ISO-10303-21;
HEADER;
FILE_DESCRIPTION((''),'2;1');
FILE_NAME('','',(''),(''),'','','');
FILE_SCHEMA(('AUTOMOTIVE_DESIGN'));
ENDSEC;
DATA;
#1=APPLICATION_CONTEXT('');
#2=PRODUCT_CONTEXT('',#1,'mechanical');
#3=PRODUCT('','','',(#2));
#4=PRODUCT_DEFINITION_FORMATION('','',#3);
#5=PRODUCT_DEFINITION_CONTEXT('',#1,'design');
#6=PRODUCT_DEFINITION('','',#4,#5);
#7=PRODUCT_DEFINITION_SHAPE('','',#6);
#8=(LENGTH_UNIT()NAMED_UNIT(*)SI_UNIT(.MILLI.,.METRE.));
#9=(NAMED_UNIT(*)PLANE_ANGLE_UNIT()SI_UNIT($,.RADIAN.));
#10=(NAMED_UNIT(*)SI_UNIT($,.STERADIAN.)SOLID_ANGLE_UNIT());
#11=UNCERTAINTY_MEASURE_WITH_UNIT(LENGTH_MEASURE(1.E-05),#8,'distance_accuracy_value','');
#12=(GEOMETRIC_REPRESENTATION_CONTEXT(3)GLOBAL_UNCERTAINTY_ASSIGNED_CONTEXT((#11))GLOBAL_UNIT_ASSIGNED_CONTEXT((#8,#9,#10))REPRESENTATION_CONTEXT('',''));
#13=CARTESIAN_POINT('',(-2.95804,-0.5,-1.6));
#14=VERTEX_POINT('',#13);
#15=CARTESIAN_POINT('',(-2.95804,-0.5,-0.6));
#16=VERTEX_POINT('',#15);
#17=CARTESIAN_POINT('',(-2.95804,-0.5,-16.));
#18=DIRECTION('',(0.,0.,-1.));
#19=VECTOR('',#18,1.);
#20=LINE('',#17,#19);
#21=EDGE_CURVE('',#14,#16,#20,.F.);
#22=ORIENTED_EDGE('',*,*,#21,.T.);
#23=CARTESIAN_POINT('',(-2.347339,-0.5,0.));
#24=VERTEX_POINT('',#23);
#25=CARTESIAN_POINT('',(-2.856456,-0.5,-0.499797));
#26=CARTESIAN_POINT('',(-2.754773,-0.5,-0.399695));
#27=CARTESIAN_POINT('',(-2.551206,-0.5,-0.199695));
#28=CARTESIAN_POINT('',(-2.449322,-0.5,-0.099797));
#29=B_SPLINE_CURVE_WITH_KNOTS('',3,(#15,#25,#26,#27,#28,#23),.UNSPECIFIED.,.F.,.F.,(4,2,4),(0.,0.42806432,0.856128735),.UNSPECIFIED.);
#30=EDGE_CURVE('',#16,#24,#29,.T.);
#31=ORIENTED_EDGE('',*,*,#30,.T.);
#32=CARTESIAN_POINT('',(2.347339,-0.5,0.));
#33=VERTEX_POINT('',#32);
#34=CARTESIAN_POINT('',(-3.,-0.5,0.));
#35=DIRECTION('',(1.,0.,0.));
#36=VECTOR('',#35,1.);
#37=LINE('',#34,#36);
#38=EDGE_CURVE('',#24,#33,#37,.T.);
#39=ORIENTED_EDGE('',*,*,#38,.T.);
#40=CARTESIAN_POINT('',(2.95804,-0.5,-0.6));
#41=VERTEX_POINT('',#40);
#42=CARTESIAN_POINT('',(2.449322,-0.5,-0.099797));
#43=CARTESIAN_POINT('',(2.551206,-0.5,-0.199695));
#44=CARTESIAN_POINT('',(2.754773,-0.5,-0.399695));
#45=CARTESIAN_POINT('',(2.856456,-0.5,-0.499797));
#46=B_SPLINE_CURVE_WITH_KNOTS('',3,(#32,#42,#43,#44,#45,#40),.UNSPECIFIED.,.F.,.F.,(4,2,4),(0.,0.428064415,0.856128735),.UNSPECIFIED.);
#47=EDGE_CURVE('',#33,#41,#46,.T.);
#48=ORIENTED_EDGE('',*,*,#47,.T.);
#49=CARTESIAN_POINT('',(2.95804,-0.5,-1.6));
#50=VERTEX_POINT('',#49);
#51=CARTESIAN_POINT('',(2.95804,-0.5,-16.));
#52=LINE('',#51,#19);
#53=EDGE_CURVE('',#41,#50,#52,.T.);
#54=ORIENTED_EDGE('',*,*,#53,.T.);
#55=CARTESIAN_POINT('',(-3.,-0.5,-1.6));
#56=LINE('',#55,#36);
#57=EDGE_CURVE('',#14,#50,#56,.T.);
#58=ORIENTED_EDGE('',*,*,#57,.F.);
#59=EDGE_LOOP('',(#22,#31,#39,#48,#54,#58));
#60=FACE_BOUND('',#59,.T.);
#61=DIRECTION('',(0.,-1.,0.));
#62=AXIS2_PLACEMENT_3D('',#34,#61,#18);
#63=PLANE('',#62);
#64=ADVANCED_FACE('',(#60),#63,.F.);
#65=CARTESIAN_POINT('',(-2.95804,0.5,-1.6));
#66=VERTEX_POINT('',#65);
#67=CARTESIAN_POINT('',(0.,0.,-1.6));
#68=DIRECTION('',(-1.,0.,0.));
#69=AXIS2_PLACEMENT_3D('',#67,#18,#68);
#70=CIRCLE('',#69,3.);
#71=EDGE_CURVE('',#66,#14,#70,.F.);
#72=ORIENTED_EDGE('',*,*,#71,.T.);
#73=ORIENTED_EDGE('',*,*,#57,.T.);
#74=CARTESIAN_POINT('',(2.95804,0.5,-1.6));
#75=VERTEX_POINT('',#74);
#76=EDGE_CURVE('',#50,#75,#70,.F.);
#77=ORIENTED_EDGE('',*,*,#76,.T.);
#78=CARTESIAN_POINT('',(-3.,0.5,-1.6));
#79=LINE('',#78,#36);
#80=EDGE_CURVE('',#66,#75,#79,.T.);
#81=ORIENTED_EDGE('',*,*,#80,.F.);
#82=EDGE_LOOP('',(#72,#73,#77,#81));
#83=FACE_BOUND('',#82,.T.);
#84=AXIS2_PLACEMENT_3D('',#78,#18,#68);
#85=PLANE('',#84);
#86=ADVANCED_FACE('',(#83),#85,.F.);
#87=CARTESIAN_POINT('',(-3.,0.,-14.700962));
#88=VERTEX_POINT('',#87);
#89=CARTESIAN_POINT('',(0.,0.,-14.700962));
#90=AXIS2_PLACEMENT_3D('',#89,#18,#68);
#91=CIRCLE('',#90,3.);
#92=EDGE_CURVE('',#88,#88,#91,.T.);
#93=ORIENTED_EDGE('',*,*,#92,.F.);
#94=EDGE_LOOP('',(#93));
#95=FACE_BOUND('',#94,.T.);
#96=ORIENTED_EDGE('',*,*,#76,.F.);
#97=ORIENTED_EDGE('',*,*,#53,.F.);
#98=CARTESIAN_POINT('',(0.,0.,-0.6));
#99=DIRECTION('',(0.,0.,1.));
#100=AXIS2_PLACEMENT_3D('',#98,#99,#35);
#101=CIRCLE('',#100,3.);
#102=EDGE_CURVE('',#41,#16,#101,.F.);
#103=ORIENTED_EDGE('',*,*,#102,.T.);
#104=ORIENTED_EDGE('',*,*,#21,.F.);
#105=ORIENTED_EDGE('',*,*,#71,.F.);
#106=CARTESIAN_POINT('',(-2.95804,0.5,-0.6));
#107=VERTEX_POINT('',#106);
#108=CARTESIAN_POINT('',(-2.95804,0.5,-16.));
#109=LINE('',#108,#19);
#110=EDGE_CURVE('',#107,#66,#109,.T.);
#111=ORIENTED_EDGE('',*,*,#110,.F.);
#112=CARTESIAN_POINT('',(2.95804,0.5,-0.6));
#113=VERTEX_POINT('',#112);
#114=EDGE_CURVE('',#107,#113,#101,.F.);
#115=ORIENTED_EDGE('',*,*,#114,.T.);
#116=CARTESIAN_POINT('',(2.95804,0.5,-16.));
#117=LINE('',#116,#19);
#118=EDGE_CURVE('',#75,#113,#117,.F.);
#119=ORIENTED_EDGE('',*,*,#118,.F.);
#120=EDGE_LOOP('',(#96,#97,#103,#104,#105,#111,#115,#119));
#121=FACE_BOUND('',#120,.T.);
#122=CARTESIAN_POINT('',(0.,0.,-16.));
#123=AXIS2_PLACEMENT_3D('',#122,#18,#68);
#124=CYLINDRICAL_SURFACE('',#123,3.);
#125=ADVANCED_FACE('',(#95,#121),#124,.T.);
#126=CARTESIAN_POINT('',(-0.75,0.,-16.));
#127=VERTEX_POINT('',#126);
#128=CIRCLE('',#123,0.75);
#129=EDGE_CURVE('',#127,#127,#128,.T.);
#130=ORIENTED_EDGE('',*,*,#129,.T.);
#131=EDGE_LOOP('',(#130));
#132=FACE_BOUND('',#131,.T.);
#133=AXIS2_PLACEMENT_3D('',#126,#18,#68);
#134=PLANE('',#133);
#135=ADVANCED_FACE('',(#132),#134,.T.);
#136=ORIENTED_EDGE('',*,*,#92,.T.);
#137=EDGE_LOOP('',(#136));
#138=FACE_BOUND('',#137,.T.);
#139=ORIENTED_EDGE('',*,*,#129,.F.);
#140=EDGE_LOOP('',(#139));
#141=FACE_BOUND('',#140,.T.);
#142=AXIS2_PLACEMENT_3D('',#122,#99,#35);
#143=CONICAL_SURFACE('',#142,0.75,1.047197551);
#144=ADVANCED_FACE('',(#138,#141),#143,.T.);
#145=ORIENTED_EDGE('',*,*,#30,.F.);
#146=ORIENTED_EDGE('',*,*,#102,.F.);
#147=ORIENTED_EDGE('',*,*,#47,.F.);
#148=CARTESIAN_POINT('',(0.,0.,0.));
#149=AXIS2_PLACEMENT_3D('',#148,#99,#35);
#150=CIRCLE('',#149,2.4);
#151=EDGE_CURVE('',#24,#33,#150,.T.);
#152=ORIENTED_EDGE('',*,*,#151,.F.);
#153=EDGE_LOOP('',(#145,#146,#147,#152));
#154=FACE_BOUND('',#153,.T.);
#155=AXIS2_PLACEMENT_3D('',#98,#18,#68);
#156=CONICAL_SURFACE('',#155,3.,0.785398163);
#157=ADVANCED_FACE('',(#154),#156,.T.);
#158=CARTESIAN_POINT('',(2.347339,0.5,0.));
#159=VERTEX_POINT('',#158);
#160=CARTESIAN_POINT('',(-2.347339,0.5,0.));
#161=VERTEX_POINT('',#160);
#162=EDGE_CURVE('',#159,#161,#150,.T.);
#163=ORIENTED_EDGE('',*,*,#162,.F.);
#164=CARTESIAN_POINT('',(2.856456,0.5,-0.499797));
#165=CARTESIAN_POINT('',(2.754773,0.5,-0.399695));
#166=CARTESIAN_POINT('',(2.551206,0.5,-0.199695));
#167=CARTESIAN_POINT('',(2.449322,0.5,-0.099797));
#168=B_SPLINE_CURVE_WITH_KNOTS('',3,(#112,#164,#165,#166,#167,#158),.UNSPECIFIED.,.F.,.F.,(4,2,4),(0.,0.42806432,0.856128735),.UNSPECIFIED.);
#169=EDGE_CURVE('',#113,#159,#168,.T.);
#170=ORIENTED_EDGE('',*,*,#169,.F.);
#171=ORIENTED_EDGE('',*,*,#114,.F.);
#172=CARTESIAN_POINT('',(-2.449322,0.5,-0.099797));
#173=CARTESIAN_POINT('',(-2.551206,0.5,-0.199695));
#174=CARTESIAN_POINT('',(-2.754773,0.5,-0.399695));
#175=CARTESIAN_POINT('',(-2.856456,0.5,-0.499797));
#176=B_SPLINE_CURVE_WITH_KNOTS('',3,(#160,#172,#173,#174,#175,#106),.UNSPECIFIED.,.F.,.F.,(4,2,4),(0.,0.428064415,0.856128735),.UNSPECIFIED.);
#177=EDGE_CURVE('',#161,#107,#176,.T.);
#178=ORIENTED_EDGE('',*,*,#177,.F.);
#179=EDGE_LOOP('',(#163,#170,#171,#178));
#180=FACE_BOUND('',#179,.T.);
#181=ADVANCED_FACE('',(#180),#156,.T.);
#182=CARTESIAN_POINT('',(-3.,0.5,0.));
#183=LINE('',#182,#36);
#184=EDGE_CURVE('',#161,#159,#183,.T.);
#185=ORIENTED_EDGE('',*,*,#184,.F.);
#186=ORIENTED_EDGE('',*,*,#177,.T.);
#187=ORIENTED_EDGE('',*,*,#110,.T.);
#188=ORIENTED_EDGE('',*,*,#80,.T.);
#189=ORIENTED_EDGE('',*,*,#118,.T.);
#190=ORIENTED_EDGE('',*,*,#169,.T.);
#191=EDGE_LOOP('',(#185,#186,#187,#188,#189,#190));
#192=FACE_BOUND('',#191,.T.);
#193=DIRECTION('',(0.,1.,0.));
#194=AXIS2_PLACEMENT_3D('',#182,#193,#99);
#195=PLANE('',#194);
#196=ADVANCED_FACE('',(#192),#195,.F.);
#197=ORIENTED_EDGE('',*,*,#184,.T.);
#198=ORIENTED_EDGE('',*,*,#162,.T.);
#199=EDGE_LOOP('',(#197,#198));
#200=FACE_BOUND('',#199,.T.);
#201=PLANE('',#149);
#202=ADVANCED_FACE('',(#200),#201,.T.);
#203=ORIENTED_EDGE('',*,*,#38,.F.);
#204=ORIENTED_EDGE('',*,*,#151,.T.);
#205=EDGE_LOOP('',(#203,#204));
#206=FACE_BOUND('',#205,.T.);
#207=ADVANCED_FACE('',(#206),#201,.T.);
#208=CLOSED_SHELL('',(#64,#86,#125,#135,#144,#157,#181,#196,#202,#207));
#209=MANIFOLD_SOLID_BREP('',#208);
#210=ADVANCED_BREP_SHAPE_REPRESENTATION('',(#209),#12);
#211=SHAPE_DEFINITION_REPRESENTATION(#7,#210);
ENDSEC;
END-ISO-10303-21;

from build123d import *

# Parameters (mm, degrees)
SKETCH_2_W               = 1.6
SKETCH_2_H               = 1
CUT_EXTRUDE_1_DEPTH      = 4
CUT_EXTRUDE_1_DEPTH_BACK = 4
CHAMFER_1_SIZE           = 0.6


with BuildPart() as part:
    # Эскиз1 → Повернуть1 (revolve)
    with BuildSketch(Plane(origin=(0, 0, 0), x_dir=(1, 0, 0), z_dir=(0, 1, 0))):
        Polygon((0, 0), (-3, 0), (-3, 14.700961894), (-0.75, 16), (0, 16), align=None)
    revolve(axis=Axis((0, 0, -16), (0, 0, 1)))

    # Эскиз2 → Вырез-Вытянуть1 (cut, two sides)
    with BuildSketch(Plane(origin=(0, 0, 0), x_dir=(0, 0, -1), z_dir=(1, 0, 0))) as cut_extrude_1_sk:
        with Locations((0.8, 0)):
            Rectangle(SKETCH_2_W, SKETCH_2_H)
    extrude(amount=CUT_EXTRUDE_1_DEPTH, mode=Mode.SUBTRACT)
    extrude(cut_extrude_1_sk.sketch, amount=-CUT_EXTRUDE_1_DEPTH_BACK, mode=Mode.SUBTRACT)

    # Фаска1
    chamfer_1_edges = [part.edges().sort_by_distance(p)[0] for p in [
        (0, 3, 0),
        (0, -3, 0),
    ]]
    chamfer(chamfer_1_edges, length=CHAMFER_1_SIZE)


solid = part.part
